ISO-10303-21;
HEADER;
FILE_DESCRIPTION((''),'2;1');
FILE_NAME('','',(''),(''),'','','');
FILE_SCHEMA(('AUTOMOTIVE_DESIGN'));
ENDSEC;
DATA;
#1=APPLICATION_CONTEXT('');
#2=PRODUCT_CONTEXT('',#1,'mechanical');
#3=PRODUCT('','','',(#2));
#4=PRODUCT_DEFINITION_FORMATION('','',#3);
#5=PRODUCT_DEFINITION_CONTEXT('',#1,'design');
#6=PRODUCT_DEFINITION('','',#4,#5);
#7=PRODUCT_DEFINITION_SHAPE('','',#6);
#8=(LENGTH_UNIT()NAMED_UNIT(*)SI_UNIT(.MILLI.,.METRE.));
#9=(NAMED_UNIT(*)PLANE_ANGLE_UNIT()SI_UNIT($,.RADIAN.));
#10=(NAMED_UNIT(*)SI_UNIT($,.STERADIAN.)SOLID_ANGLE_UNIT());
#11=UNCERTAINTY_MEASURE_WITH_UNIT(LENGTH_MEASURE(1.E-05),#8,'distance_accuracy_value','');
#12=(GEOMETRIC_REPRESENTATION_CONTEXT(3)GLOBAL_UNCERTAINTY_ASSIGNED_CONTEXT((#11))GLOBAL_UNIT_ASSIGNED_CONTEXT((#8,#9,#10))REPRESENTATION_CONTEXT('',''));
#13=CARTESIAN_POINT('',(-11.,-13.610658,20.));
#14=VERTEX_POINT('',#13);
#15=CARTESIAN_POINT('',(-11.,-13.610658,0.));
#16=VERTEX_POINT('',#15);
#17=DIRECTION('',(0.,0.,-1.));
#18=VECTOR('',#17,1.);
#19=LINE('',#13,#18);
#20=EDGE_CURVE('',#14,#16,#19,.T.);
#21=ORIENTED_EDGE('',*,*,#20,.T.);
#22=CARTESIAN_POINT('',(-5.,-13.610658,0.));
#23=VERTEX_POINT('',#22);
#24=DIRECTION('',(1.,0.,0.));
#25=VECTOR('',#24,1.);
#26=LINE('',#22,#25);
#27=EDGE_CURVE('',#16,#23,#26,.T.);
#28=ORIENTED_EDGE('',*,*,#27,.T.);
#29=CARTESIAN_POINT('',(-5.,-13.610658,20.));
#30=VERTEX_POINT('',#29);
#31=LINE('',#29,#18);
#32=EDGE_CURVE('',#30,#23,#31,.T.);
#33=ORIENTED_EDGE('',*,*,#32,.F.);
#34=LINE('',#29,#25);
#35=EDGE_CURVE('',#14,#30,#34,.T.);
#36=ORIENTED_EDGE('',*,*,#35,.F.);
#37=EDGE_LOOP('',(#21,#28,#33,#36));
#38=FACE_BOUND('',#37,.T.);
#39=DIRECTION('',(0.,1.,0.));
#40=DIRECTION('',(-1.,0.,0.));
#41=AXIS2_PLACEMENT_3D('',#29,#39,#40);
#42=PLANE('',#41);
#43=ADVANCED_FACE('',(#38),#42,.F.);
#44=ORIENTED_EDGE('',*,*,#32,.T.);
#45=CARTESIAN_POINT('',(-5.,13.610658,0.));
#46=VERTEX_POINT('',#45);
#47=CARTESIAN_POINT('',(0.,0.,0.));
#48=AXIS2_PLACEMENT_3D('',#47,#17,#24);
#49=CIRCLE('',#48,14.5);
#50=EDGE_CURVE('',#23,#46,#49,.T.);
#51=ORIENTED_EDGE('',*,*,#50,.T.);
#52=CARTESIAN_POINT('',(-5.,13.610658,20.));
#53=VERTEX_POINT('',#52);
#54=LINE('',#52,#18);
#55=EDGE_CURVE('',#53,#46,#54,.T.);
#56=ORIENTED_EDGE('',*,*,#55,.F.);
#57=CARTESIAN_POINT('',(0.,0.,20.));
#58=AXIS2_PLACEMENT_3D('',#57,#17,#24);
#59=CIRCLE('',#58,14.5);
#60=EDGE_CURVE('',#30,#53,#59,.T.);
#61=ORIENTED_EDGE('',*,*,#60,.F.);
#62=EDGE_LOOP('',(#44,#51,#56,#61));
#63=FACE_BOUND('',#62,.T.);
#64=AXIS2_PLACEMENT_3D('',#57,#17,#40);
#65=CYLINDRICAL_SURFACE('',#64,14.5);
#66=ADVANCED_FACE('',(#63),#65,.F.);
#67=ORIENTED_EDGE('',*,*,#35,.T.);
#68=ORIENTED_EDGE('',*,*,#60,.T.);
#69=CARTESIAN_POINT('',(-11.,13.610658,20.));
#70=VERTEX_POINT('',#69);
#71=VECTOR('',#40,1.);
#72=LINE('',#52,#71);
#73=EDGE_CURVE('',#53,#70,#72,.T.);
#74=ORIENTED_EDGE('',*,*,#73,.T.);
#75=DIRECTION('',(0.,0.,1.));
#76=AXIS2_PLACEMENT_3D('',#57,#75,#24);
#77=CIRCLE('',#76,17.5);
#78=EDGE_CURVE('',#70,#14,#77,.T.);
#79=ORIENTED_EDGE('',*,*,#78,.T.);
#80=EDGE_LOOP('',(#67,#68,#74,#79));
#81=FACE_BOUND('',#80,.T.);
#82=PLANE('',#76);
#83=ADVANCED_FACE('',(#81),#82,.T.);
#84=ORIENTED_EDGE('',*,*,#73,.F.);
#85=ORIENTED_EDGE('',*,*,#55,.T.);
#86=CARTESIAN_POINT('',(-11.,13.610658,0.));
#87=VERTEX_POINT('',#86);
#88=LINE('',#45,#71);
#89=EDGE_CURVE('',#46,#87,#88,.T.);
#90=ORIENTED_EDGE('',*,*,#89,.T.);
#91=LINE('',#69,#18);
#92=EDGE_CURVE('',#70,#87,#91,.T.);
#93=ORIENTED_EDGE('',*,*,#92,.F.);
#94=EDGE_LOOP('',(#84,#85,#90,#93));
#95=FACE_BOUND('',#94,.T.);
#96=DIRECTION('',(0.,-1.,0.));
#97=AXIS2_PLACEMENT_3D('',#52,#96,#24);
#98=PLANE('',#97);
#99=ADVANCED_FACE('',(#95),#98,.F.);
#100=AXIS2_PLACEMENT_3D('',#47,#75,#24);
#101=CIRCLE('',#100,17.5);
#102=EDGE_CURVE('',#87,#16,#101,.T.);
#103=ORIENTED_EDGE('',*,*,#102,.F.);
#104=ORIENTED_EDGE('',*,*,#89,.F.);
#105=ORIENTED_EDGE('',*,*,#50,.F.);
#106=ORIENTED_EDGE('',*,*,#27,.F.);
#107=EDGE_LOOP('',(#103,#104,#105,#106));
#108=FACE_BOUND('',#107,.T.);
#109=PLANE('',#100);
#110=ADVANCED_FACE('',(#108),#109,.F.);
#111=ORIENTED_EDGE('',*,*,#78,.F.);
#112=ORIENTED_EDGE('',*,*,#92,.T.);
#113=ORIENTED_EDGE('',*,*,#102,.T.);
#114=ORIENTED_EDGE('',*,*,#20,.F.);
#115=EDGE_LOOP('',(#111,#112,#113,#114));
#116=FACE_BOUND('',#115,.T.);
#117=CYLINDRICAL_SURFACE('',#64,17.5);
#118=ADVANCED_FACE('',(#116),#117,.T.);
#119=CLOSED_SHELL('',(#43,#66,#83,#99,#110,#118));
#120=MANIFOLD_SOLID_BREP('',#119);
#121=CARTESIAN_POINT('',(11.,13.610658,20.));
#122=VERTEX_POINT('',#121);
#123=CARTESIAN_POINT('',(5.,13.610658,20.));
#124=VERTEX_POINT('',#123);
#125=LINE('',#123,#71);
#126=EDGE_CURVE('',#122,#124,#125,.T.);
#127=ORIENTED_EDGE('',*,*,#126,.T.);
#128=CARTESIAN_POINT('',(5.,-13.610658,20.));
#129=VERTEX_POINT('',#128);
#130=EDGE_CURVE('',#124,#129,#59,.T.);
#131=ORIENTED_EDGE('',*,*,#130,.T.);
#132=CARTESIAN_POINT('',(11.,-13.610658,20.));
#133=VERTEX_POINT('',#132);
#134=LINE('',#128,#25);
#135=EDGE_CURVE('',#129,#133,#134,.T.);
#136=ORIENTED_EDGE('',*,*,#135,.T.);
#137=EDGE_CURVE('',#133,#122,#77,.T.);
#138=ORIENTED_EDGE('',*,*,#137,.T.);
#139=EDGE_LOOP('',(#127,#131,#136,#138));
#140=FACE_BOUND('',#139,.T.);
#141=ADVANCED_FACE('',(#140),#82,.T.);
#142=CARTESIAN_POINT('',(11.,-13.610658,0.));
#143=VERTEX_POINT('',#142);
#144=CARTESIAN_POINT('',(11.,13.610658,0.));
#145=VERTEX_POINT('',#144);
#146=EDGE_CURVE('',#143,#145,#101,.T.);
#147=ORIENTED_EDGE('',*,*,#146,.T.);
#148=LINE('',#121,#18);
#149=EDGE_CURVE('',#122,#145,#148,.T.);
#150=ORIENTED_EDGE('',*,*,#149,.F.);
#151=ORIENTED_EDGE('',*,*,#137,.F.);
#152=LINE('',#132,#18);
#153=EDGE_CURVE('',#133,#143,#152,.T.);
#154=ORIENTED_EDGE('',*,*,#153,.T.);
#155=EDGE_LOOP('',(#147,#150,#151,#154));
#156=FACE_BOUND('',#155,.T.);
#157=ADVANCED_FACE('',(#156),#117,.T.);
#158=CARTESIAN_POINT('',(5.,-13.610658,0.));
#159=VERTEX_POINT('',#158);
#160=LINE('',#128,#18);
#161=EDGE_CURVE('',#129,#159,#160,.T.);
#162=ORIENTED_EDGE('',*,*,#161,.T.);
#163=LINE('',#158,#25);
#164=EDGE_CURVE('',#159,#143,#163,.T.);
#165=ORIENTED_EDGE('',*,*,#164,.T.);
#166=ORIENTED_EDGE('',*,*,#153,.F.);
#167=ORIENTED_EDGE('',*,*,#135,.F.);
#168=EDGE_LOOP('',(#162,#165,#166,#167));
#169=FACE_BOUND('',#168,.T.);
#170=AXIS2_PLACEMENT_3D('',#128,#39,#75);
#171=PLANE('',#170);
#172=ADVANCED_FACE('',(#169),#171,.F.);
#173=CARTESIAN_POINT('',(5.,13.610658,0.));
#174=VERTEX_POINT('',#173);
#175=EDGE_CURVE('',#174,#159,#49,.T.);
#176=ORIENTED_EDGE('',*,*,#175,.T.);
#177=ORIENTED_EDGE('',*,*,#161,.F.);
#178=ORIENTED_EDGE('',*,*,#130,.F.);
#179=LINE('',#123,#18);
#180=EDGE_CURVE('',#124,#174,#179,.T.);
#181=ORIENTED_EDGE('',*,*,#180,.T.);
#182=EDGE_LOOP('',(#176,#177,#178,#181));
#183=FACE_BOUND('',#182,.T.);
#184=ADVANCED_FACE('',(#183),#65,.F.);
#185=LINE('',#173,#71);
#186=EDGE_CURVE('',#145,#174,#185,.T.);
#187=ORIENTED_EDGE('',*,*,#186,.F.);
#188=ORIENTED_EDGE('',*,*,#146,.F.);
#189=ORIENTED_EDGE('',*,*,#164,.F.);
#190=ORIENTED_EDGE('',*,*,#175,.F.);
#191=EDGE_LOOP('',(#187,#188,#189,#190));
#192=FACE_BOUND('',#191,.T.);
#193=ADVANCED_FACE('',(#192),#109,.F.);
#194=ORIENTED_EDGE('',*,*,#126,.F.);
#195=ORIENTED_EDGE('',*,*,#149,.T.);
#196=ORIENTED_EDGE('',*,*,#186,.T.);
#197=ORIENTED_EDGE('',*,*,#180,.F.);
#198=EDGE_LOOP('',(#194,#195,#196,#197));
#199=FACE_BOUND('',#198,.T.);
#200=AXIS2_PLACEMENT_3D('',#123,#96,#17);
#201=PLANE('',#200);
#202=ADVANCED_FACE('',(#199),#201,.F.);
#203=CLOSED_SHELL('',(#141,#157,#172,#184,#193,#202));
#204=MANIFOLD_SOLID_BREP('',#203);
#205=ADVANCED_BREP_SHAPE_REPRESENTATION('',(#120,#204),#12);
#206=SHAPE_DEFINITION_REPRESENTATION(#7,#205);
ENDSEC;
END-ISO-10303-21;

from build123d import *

# Parameters (mm, degrees)
BOSS_EXTRUDE3_DEPTH   = 20
BOSS_EXTRUDE3_2_DEPTH = 20


with BuildPart() as part:
    # Sketch1 → Boss-Extrude3 (new body)
    with BuildSketch(Plane.XY):
        with BuildLine():
            Line((-5, 13.610657589), (-11, 13.610657589))
            ThreePointArc((-11, 13.610657589), (-17.5, 0), (-11, -13.610657589))
            Line((-11, -13.610657589), (-5, -13.610657589))
            ThreePointArc((-5, -13.610657589), (-14.5, 0), (-5, 13.610657589))
        make_face()
    extrude(amount=BOSS_EXTRUDE3_DEPTH)


with BuildPart() as body_2:
    # Sketch1 → Boss-Extrude3 2 (new body)
    with BuildSketch(Plane.XY):
        with BuildLine():
            Line((5, 13.610657589), (11, 13.610657589))
            ThreePointArc((11, 13.610657589), (17.5, 0), (11, -13.610657589))
            Line((11, -13.610657589), (5, -13.610657589))
            ThreePointArc((5, -13.610657589), (14.5, 0), (5, 13.610657589))
        make_face()
    extrude(amount=BOSS_EXTRUDE3_2_DEPTH)


solid = Compound([part.part, body_2.part])
